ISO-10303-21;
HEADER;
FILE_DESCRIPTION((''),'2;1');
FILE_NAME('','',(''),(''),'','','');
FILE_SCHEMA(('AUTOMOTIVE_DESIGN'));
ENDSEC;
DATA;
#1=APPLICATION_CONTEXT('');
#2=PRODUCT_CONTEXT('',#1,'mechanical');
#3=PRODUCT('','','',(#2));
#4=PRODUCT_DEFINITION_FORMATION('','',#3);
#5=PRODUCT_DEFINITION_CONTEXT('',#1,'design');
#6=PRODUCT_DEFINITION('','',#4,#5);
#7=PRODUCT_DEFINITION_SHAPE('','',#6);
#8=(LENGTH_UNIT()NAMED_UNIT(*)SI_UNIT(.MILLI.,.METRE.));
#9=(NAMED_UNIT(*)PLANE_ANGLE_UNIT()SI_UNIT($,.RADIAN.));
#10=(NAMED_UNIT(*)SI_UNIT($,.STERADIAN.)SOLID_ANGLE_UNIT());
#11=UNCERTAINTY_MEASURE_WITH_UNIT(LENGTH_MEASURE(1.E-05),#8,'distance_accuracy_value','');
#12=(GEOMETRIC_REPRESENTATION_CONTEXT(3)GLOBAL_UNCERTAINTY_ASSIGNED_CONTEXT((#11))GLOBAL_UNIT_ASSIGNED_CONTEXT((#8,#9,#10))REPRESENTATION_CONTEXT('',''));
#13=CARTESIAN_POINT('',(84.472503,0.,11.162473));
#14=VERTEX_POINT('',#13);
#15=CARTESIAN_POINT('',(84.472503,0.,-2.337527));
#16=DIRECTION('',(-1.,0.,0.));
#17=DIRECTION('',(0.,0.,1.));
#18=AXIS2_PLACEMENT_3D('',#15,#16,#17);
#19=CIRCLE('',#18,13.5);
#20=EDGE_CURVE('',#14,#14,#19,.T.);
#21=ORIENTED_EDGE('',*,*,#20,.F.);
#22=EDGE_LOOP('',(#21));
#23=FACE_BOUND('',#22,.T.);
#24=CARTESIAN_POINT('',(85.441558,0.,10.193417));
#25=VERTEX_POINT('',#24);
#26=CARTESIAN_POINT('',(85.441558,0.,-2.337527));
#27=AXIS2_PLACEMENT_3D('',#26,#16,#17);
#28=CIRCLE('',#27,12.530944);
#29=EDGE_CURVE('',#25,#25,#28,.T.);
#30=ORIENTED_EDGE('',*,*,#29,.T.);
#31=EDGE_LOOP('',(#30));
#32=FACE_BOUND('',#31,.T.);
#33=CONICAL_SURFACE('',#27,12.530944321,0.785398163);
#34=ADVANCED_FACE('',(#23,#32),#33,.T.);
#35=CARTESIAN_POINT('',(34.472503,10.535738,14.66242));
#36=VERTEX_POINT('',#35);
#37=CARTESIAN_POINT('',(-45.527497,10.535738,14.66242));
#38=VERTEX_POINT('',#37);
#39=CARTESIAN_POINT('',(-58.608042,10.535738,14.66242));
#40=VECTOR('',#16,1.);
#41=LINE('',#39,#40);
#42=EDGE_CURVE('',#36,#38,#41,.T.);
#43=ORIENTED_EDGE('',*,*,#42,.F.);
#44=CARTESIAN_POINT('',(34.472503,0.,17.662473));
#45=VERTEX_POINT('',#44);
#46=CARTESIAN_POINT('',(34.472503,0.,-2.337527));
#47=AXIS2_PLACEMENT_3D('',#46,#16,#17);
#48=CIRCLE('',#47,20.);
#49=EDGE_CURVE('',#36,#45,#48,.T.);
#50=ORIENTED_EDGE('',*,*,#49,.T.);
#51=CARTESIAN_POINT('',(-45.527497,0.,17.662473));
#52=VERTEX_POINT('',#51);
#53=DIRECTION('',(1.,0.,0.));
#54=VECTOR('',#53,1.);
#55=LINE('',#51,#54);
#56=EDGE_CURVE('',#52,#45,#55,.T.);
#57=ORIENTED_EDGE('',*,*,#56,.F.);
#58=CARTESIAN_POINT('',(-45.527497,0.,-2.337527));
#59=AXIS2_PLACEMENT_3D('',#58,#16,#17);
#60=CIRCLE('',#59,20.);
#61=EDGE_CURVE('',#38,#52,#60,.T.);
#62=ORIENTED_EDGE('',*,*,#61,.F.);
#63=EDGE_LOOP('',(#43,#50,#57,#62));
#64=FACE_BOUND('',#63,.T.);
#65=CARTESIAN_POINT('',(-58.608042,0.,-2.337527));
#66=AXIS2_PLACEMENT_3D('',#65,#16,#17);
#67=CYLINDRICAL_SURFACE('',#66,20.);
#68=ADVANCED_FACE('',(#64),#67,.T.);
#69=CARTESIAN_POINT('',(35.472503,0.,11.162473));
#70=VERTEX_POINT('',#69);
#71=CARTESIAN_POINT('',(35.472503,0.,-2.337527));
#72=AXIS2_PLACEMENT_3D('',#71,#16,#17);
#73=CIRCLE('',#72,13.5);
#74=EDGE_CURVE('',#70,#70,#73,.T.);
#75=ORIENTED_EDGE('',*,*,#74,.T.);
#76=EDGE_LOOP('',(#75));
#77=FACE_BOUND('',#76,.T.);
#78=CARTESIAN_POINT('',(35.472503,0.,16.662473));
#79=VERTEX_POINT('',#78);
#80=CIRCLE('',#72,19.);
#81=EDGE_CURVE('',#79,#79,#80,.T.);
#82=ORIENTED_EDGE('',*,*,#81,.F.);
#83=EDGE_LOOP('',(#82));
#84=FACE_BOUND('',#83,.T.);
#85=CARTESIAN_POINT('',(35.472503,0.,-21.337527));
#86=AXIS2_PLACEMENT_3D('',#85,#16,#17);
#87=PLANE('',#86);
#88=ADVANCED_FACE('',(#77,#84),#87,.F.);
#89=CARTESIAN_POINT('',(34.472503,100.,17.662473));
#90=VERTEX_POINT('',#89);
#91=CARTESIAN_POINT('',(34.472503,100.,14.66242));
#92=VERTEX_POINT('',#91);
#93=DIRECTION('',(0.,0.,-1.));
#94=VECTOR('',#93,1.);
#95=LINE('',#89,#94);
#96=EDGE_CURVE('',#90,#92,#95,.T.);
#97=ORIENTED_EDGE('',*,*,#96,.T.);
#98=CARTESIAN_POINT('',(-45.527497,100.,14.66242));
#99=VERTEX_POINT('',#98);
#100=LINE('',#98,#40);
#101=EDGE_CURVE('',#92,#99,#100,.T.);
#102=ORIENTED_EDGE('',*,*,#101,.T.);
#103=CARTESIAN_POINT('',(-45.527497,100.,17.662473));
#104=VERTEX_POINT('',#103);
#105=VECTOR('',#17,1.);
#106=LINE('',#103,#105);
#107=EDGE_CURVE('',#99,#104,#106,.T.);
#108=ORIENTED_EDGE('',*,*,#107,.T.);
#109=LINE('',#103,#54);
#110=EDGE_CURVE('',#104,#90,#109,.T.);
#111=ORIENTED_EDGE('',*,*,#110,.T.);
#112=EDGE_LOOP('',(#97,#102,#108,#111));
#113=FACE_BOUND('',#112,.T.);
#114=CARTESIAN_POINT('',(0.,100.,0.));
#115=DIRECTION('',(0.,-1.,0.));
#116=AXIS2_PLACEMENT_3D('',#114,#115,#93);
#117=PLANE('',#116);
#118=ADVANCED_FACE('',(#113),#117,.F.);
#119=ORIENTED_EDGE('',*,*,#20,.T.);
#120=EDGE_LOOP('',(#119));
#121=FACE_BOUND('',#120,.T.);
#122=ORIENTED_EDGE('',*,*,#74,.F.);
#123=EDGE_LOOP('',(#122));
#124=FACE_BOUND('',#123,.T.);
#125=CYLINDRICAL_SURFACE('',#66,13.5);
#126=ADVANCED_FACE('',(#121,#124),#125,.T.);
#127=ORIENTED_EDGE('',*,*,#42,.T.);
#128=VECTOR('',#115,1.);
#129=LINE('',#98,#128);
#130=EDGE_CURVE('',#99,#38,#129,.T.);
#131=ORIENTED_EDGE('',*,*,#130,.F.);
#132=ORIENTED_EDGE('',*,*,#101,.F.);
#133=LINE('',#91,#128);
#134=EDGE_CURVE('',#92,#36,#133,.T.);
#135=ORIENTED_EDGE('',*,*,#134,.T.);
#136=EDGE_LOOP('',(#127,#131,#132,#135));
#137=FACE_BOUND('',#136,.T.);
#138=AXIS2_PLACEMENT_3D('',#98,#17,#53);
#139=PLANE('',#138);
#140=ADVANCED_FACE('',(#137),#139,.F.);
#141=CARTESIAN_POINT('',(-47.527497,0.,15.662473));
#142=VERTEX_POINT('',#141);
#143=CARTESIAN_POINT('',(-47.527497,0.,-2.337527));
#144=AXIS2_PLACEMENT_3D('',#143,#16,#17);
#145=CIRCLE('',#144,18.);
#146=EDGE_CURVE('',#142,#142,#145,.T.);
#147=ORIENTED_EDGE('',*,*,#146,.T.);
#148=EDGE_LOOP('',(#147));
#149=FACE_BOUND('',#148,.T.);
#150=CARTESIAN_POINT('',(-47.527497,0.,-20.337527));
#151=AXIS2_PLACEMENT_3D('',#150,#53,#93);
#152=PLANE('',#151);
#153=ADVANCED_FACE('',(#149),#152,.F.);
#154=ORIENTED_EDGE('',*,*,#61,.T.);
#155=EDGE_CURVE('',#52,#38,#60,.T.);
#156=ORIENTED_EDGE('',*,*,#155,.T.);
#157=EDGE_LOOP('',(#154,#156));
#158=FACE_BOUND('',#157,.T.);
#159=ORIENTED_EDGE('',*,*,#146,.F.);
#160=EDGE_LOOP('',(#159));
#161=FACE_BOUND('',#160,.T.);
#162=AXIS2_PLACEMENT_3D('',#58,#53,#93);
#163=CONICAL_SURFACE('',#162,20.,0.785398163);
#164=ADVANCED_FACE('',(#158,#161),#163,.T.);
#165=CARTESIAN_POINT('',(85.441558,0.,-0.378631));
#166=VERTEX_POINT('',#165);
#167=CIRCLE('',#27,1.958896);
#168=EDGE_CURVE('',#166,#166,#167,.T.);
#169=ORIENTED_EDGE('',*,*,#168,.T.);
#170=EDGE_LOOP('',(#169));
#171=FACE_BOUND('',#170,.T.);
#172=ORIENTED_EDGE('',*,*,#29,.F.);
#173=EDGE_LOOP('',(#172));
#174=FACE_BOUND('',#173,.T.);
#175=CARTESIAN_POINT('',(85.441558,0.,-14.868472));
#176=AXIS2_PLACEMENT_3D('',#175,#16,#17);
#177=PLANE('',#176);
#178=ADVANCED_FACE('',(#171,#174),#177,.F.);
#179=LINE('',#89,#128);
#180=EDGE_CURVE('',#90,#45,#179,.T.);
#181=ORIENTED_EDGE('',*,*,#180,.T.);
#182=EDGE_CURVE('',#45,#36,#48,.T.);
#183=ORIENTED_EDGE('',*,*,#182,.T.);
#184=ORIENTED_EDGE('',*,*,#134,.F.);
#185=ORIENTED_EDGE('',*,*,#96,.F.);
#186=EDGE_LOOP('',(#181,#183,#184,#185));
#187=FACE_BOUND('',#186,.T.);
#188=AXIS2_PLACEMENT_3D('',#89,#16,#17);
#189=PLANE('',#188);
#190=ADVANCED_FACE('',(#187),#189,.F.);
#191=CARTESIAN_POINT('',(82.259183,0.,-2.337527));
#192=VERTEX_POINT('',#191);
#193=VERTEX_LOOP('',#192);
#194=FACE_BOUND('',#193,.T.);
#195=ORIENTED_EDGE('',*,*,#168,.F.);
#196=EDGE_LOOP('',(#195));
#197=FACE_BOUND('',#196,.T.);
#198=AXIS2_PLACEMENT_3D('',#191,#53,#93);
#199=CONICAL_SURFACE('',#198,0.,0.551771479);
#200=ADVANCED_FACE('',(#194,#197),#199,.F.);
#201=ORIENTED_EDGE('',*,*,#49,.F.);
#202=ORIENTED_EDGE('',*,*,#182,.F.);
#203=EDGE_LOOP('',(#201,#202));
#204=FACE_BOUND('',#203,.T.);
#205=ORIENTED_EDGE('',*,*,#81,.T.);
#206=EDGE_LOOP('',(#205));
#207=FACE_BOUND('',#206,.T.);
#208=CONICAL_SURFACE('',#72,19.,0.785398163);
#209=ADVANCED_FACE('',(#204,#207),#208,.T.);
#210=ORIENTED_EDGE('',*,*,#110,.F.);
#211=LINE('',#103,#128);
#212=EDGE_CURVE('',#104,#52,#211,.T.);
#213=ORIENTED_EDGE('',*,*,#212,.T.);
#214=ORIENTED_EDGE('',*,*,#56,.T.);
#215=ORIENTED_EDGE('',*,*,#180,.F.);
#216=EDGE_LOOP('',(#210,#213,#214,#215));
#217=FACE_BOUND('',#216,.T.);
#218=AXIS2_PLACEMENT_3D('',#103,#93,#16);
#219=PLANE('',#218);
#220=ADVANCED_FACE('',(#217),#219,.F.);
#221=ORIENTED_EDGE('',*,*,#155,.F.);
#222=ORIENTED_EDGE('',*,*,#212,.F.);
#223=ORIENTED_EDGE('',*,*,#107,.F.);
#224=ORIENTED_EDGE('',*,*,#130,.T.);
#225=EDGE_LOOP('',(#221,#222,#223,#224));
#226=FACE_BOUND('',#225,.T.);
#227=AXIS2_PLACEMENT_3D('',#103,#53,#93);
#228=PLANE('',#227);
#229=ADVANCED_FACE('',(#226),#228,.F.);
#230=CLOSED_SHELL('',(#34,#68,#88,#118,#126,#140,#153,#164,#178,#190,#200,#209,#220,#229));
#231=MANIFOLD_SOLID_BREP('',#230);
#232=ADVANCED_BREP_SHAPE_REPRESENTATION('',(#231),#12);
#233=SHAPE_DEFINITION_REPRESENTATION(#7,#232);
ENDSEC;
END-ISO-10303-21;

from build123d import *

# Parameters (mm, degrees)
SKETCH_3_W      = 80
SKETCH_3_H      = 3.000052495
EXTRUDE_1_DEPTH = 100


with BuildPart() as part:
    # Эскиз2 → Повернуть1 (revolve)
    with BuildSketch(Plane(origin=(0, 0, 0), x_dir=(1, 0, 0), z_dir=(0, 1, 0)), mode=Mode.PRIVATE) as revolve_1_sk:
        Polygon((-45.527497303, 22.337527379), (34.472502697, 22.337527379), (35.472502697, 21.337527379), (35.472502697, 15.837527379), (84.472502697, 15.837527379), (85.441558376, 14.8684717), (85.441558376, 4.296423316), (82.259183132, 2.337527379), (-47.527497303, 2.337527379), (-47.527497303, 20.337527379), align=None)
    revolve(revolve_1_sk.sketch.rotate(Axis((-58.608041749, 0, -2.337527379), (1, 0, 0)), 180), axis=Axis((-58.608041749, 0, -2.337527379), (1, 0, 0)))

    # Эскиз3 → Бобышка-Вытянуть1 (add)
    with BuildSketch(Plane(origin=(0, 0, 0), x_dir=(1, 0, 0), z_dir=(0, 1, 0))):
        with Locations((-5.527497303, -16.162446374)):
            Rectangle(SKETCH_3_W, SKETCH_3_H)
    extrude(amount=EXTRUDE_1_DEPTH)


solid = part.part
